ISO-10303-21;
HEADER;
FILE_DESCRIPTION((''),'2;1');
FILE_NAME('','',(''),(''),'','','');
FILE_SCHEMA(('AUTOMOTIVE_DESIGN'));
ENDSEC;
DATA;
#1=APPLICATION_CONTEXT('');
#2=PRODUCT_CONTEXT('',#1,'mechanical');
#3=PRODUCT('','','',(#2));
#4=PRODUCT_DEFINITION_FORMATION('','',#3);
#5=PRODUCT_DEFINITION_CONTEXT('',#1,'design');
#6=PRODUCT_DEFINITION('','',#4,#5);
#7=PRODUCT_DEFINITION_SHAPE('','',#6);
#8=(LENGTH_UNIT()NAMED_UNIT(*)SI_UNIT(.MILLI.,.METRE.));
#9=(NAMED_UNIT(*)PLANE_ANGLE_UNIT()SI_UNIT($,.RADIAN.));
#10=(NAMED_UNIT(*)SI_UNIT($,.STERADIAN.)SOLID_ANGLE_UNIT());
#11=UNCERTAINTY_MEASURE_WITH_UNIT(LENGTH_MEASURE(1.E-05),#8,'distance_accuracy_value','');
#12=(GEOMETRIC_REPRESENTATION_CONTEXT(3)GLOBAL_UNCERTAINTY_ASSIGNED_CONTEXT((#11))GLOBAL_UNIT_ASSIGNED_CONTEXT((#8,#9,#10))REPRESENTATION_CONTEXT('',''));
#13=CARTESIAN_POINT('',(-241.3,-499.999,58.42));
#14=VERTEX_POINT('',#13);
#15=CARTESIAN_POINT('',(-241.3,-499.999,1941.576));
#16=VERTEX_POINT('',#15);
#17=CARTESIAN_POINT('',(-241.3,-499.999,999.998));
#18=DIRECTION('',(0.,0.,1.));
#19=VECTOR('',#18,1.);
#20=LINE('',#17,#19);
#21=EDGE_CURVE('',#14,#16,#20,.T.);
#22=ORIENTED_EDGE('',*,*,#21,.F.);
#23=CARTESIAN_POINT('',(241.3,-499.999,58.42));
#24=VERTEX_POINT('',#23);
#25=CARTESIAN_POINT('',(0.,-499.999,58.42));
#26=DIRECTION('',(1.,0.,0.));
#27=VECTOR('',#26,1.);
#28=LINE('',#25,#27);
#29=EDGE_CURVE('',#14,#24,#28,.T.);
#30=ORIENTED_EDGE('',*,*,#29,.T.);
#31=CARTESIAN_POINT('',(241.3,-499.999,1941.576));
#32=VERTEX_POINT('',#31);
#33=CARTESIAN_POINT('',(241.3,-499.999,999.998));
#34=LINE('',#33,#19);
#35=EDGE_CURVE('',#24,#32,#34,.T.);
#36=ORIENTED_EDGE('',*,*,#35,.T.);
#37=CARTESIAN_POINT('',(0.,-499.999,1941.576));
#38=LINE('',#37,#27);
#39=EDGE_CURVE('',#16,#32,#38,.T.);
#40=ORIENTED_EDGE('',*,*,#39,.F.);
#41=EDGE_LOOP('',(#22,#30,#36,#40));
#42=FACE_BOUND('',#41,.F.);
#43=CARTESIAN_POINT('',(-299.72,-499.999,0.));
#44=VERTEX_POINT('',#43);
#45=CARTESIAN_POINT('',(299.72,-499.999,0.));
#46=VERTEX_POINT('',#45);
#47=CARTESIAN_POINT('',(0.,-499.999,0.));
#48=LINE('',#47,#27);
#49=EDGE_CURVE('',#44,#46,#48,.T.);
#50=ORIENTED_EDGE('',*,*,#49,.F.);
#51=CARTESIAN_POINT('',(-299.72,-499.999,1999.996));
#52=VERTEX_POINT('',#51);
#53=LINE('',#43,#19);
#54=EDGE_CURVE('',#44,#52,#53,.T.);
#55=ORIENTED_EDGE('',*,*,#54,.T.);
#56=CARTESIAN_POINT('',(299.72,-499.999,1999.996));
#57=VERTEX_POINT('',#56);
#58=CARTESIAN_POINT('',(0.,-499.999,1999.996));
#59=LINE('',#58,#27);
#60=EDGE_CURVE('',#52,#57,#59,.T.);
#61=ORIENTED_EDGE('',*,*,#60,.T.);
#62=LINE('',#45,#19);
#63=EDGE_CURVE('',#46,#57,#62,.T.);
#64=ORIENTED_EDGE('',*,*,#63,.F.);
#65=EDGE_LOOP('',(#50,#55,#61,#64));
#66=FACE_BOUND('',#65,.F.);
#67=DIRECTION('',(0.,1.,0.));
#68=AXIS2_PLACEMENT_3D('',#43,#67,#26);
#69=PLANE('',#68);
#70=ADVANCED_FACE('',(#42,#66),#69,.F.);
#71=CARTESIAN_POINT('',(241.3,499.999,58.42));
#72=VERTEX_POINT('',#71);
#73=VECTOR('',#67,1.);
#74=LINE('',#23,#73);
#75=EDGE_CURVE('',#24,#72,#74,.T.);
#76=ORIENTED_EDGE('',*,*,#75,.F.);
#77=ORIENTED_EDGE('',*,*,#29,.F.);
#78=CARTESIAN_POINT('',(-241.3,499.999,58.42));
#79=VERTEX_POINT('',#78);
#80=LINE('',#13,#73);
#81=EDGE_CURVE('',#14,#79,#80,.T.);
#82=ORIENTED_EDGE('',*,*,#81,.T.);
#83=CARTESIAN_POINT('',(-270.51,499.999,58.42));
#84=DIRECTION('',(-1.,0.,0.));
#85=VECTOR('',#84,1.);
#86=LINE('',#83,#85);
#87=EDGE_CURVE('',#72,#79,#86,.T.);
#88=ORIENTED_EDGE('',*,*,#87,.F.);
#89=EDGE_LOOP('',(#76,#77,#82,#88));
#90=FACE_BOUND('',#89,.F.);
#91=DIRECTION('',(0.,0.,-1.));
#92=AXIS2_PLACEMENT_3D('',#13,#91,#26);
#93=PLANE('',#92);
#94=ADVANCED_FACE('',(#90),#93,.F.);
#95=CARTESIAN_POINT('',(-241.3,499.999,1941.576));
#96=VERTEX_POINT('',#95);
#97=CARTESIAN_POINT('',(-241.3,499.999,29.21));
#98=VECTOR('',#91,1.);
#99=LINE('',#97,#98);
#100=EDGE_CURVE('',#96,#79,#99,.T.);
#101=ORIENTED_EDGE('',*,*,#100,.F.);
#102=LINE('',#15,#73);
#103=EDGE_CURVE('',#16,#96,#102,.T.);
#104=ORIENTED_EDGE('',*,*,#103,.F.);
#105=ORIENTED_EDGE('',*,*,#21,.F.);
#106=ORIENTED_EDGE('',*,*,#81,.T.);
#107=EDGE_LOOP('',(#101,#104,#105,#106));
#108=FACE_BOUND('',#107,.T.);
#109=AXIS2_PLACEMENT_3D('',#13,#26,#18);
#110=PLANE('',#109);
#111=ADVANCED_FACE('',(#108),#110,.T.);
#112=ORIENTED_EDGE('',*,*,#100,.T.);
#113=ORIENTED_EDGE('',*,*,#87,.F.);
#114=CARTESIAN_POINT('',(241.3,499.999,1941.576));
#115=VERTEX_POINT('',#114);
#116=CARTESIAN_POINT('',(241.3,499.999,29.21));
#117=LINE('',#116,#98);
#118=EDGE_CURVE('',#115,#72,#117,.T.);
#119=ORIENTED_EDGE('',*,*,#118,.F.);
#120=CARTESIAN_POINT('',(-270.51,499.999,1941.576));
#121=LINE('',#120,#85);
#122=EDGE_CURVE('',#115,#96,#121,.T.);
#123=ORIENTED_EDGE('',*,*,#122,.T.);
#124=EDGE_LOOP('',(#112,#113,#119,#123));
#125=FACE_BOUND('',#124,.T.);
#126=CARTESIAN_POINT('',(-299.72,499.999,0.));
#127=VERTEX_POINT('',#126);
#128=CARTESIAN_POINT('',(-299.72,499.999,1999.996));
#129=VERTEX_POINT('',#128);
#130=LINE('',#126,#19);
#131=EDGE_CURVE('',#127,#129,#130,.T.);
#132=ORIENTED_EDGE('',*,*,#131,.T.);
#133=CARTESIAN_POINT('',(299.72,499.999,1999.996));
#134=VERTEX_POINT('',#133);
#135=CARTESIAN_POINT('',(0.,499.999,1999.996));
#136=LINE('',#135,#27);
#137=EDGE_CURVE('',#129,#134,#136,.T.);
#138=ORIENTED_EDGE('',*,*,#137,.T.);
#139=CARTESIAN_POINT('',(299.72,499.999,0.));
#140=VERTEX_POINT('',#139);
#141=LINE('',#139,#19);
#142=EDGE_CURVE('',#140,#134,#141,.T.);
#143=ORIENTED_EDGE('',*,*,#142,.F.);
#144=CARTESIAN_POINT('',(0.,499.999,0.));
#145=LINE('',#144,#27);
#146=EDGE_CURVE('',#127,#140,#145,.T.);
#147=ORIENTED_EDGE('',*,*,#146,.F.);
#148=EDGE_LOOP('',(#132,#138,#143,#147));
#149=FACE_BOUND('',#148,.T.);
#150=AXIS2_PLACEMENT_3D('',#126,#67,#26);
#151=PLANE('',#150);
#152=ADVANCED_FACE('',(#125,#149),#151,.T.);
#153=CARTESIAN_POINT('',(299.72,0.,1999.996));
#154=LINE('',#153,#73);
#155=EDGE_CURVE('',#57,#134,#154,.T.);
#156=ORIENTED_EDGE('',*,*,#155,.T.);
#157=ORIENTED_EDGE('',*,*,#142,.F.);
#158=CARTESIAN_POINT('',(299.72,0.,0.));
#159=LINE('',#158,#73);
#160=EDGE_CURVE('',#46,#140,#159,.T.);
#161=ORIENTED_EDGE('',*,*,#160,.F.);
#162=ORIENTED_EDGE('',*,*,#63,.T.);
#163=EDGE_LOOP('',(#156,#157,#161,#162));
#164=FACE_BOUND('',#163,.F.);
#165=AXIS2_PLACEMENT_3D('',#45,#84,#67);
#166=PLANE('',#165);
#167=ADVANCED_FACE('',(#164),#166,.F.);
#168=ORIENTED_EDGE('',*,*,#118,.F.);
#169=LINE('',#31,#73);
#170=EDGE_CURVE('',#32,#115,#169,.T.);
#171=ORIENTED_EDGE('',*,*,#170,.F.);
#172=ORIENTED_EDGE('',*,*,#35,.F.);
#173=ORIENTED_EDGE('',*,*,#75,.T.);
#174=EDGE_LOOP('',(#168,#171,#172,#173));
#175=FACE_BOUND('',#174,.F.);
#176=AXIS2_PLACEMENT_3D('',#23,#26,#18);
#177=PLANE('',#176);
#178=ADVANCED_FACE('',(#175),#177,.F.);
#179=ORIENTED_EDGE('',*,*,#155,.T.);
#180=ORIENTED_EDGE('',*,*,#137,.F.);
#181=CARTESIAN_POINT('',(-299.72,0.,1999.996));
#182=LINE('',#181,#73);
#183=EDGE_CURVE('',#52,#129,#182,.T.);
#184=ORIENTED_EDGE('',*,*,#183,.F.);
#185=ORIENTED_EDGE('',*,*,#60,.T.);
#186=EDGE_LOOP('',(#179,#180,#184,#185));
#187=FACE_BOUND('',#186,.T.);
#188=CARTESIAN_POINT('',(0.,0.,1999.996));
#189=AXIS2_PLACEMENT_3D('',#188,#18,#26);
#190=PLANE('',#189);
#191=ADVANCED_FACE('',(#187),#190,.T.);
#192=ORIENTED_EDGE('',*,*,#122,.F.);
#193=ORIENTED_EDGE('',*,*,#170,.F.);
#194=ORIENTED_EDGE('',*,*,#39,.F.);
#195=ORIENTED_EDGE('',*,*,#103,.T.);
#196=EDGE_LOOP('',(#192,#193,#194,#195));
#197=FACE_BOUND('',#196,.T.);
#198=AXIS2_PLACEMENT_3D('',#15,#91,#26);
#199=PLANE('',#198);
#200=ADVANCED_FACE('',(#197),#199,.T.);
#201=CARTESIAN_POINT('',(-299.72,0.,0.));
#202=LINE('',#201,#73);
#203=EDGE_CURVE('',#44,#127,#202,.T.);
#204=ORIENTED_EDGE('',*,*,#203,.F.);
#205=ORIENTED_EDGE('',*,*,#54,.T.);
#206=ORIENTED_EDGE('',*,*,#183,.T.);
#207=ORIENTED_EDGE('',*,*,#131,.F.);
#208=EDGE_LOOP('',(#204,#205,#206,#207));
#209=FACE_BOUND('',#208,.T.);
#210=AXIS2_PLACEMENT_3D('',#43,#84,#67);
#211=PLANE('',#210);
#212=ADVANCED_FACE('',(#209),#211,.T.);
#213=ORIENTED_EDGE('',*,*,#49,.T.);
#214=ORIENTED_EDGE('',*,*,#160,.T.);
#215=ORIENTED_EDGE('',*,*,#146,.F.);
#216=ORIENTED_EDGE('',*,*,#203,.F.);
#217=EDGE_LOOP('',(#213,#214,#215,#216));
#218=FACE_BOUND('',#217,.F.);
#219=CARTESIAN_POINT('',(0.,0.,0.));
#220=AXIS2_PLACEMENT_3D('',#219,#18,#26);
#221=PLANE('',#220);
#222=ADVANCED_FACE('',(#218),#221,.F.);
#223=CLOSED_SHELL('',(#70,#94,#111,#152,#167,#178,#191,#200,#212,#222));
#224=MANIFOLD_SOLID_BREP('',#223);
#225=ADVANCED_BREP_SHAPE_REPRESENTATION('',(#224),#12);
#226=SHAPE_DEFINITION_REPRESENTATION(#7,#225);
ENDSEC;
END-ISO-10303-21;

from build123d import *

# Parameters (mm, degrees)
F0_W     = 599.44
F0_H     = 999.998
F1_DEPTH = 1999.996
F2_W     = 482.6
F2_H     = 1883.156
F3_DEPTH = 999.999


with BuildPart() as f1:
    # F0 (on Top) → F1 (new body)
    with BuildSketch(Plane.XY):
        Rectangle(F0_W, F0_H)
    extrude(amount=F1_DEPTH)

    # F2 (on face) → F3 (cut, through all)
    with BuildSketch(Plane.XZ.offset(499.999)):
        with Locations((0, 999.998)):
            Rectangle(F2_W, F2_H)
    extrude(amount=-F3_DEPTH, mode=Mode.SUBTRACT)


solid = f1.part
